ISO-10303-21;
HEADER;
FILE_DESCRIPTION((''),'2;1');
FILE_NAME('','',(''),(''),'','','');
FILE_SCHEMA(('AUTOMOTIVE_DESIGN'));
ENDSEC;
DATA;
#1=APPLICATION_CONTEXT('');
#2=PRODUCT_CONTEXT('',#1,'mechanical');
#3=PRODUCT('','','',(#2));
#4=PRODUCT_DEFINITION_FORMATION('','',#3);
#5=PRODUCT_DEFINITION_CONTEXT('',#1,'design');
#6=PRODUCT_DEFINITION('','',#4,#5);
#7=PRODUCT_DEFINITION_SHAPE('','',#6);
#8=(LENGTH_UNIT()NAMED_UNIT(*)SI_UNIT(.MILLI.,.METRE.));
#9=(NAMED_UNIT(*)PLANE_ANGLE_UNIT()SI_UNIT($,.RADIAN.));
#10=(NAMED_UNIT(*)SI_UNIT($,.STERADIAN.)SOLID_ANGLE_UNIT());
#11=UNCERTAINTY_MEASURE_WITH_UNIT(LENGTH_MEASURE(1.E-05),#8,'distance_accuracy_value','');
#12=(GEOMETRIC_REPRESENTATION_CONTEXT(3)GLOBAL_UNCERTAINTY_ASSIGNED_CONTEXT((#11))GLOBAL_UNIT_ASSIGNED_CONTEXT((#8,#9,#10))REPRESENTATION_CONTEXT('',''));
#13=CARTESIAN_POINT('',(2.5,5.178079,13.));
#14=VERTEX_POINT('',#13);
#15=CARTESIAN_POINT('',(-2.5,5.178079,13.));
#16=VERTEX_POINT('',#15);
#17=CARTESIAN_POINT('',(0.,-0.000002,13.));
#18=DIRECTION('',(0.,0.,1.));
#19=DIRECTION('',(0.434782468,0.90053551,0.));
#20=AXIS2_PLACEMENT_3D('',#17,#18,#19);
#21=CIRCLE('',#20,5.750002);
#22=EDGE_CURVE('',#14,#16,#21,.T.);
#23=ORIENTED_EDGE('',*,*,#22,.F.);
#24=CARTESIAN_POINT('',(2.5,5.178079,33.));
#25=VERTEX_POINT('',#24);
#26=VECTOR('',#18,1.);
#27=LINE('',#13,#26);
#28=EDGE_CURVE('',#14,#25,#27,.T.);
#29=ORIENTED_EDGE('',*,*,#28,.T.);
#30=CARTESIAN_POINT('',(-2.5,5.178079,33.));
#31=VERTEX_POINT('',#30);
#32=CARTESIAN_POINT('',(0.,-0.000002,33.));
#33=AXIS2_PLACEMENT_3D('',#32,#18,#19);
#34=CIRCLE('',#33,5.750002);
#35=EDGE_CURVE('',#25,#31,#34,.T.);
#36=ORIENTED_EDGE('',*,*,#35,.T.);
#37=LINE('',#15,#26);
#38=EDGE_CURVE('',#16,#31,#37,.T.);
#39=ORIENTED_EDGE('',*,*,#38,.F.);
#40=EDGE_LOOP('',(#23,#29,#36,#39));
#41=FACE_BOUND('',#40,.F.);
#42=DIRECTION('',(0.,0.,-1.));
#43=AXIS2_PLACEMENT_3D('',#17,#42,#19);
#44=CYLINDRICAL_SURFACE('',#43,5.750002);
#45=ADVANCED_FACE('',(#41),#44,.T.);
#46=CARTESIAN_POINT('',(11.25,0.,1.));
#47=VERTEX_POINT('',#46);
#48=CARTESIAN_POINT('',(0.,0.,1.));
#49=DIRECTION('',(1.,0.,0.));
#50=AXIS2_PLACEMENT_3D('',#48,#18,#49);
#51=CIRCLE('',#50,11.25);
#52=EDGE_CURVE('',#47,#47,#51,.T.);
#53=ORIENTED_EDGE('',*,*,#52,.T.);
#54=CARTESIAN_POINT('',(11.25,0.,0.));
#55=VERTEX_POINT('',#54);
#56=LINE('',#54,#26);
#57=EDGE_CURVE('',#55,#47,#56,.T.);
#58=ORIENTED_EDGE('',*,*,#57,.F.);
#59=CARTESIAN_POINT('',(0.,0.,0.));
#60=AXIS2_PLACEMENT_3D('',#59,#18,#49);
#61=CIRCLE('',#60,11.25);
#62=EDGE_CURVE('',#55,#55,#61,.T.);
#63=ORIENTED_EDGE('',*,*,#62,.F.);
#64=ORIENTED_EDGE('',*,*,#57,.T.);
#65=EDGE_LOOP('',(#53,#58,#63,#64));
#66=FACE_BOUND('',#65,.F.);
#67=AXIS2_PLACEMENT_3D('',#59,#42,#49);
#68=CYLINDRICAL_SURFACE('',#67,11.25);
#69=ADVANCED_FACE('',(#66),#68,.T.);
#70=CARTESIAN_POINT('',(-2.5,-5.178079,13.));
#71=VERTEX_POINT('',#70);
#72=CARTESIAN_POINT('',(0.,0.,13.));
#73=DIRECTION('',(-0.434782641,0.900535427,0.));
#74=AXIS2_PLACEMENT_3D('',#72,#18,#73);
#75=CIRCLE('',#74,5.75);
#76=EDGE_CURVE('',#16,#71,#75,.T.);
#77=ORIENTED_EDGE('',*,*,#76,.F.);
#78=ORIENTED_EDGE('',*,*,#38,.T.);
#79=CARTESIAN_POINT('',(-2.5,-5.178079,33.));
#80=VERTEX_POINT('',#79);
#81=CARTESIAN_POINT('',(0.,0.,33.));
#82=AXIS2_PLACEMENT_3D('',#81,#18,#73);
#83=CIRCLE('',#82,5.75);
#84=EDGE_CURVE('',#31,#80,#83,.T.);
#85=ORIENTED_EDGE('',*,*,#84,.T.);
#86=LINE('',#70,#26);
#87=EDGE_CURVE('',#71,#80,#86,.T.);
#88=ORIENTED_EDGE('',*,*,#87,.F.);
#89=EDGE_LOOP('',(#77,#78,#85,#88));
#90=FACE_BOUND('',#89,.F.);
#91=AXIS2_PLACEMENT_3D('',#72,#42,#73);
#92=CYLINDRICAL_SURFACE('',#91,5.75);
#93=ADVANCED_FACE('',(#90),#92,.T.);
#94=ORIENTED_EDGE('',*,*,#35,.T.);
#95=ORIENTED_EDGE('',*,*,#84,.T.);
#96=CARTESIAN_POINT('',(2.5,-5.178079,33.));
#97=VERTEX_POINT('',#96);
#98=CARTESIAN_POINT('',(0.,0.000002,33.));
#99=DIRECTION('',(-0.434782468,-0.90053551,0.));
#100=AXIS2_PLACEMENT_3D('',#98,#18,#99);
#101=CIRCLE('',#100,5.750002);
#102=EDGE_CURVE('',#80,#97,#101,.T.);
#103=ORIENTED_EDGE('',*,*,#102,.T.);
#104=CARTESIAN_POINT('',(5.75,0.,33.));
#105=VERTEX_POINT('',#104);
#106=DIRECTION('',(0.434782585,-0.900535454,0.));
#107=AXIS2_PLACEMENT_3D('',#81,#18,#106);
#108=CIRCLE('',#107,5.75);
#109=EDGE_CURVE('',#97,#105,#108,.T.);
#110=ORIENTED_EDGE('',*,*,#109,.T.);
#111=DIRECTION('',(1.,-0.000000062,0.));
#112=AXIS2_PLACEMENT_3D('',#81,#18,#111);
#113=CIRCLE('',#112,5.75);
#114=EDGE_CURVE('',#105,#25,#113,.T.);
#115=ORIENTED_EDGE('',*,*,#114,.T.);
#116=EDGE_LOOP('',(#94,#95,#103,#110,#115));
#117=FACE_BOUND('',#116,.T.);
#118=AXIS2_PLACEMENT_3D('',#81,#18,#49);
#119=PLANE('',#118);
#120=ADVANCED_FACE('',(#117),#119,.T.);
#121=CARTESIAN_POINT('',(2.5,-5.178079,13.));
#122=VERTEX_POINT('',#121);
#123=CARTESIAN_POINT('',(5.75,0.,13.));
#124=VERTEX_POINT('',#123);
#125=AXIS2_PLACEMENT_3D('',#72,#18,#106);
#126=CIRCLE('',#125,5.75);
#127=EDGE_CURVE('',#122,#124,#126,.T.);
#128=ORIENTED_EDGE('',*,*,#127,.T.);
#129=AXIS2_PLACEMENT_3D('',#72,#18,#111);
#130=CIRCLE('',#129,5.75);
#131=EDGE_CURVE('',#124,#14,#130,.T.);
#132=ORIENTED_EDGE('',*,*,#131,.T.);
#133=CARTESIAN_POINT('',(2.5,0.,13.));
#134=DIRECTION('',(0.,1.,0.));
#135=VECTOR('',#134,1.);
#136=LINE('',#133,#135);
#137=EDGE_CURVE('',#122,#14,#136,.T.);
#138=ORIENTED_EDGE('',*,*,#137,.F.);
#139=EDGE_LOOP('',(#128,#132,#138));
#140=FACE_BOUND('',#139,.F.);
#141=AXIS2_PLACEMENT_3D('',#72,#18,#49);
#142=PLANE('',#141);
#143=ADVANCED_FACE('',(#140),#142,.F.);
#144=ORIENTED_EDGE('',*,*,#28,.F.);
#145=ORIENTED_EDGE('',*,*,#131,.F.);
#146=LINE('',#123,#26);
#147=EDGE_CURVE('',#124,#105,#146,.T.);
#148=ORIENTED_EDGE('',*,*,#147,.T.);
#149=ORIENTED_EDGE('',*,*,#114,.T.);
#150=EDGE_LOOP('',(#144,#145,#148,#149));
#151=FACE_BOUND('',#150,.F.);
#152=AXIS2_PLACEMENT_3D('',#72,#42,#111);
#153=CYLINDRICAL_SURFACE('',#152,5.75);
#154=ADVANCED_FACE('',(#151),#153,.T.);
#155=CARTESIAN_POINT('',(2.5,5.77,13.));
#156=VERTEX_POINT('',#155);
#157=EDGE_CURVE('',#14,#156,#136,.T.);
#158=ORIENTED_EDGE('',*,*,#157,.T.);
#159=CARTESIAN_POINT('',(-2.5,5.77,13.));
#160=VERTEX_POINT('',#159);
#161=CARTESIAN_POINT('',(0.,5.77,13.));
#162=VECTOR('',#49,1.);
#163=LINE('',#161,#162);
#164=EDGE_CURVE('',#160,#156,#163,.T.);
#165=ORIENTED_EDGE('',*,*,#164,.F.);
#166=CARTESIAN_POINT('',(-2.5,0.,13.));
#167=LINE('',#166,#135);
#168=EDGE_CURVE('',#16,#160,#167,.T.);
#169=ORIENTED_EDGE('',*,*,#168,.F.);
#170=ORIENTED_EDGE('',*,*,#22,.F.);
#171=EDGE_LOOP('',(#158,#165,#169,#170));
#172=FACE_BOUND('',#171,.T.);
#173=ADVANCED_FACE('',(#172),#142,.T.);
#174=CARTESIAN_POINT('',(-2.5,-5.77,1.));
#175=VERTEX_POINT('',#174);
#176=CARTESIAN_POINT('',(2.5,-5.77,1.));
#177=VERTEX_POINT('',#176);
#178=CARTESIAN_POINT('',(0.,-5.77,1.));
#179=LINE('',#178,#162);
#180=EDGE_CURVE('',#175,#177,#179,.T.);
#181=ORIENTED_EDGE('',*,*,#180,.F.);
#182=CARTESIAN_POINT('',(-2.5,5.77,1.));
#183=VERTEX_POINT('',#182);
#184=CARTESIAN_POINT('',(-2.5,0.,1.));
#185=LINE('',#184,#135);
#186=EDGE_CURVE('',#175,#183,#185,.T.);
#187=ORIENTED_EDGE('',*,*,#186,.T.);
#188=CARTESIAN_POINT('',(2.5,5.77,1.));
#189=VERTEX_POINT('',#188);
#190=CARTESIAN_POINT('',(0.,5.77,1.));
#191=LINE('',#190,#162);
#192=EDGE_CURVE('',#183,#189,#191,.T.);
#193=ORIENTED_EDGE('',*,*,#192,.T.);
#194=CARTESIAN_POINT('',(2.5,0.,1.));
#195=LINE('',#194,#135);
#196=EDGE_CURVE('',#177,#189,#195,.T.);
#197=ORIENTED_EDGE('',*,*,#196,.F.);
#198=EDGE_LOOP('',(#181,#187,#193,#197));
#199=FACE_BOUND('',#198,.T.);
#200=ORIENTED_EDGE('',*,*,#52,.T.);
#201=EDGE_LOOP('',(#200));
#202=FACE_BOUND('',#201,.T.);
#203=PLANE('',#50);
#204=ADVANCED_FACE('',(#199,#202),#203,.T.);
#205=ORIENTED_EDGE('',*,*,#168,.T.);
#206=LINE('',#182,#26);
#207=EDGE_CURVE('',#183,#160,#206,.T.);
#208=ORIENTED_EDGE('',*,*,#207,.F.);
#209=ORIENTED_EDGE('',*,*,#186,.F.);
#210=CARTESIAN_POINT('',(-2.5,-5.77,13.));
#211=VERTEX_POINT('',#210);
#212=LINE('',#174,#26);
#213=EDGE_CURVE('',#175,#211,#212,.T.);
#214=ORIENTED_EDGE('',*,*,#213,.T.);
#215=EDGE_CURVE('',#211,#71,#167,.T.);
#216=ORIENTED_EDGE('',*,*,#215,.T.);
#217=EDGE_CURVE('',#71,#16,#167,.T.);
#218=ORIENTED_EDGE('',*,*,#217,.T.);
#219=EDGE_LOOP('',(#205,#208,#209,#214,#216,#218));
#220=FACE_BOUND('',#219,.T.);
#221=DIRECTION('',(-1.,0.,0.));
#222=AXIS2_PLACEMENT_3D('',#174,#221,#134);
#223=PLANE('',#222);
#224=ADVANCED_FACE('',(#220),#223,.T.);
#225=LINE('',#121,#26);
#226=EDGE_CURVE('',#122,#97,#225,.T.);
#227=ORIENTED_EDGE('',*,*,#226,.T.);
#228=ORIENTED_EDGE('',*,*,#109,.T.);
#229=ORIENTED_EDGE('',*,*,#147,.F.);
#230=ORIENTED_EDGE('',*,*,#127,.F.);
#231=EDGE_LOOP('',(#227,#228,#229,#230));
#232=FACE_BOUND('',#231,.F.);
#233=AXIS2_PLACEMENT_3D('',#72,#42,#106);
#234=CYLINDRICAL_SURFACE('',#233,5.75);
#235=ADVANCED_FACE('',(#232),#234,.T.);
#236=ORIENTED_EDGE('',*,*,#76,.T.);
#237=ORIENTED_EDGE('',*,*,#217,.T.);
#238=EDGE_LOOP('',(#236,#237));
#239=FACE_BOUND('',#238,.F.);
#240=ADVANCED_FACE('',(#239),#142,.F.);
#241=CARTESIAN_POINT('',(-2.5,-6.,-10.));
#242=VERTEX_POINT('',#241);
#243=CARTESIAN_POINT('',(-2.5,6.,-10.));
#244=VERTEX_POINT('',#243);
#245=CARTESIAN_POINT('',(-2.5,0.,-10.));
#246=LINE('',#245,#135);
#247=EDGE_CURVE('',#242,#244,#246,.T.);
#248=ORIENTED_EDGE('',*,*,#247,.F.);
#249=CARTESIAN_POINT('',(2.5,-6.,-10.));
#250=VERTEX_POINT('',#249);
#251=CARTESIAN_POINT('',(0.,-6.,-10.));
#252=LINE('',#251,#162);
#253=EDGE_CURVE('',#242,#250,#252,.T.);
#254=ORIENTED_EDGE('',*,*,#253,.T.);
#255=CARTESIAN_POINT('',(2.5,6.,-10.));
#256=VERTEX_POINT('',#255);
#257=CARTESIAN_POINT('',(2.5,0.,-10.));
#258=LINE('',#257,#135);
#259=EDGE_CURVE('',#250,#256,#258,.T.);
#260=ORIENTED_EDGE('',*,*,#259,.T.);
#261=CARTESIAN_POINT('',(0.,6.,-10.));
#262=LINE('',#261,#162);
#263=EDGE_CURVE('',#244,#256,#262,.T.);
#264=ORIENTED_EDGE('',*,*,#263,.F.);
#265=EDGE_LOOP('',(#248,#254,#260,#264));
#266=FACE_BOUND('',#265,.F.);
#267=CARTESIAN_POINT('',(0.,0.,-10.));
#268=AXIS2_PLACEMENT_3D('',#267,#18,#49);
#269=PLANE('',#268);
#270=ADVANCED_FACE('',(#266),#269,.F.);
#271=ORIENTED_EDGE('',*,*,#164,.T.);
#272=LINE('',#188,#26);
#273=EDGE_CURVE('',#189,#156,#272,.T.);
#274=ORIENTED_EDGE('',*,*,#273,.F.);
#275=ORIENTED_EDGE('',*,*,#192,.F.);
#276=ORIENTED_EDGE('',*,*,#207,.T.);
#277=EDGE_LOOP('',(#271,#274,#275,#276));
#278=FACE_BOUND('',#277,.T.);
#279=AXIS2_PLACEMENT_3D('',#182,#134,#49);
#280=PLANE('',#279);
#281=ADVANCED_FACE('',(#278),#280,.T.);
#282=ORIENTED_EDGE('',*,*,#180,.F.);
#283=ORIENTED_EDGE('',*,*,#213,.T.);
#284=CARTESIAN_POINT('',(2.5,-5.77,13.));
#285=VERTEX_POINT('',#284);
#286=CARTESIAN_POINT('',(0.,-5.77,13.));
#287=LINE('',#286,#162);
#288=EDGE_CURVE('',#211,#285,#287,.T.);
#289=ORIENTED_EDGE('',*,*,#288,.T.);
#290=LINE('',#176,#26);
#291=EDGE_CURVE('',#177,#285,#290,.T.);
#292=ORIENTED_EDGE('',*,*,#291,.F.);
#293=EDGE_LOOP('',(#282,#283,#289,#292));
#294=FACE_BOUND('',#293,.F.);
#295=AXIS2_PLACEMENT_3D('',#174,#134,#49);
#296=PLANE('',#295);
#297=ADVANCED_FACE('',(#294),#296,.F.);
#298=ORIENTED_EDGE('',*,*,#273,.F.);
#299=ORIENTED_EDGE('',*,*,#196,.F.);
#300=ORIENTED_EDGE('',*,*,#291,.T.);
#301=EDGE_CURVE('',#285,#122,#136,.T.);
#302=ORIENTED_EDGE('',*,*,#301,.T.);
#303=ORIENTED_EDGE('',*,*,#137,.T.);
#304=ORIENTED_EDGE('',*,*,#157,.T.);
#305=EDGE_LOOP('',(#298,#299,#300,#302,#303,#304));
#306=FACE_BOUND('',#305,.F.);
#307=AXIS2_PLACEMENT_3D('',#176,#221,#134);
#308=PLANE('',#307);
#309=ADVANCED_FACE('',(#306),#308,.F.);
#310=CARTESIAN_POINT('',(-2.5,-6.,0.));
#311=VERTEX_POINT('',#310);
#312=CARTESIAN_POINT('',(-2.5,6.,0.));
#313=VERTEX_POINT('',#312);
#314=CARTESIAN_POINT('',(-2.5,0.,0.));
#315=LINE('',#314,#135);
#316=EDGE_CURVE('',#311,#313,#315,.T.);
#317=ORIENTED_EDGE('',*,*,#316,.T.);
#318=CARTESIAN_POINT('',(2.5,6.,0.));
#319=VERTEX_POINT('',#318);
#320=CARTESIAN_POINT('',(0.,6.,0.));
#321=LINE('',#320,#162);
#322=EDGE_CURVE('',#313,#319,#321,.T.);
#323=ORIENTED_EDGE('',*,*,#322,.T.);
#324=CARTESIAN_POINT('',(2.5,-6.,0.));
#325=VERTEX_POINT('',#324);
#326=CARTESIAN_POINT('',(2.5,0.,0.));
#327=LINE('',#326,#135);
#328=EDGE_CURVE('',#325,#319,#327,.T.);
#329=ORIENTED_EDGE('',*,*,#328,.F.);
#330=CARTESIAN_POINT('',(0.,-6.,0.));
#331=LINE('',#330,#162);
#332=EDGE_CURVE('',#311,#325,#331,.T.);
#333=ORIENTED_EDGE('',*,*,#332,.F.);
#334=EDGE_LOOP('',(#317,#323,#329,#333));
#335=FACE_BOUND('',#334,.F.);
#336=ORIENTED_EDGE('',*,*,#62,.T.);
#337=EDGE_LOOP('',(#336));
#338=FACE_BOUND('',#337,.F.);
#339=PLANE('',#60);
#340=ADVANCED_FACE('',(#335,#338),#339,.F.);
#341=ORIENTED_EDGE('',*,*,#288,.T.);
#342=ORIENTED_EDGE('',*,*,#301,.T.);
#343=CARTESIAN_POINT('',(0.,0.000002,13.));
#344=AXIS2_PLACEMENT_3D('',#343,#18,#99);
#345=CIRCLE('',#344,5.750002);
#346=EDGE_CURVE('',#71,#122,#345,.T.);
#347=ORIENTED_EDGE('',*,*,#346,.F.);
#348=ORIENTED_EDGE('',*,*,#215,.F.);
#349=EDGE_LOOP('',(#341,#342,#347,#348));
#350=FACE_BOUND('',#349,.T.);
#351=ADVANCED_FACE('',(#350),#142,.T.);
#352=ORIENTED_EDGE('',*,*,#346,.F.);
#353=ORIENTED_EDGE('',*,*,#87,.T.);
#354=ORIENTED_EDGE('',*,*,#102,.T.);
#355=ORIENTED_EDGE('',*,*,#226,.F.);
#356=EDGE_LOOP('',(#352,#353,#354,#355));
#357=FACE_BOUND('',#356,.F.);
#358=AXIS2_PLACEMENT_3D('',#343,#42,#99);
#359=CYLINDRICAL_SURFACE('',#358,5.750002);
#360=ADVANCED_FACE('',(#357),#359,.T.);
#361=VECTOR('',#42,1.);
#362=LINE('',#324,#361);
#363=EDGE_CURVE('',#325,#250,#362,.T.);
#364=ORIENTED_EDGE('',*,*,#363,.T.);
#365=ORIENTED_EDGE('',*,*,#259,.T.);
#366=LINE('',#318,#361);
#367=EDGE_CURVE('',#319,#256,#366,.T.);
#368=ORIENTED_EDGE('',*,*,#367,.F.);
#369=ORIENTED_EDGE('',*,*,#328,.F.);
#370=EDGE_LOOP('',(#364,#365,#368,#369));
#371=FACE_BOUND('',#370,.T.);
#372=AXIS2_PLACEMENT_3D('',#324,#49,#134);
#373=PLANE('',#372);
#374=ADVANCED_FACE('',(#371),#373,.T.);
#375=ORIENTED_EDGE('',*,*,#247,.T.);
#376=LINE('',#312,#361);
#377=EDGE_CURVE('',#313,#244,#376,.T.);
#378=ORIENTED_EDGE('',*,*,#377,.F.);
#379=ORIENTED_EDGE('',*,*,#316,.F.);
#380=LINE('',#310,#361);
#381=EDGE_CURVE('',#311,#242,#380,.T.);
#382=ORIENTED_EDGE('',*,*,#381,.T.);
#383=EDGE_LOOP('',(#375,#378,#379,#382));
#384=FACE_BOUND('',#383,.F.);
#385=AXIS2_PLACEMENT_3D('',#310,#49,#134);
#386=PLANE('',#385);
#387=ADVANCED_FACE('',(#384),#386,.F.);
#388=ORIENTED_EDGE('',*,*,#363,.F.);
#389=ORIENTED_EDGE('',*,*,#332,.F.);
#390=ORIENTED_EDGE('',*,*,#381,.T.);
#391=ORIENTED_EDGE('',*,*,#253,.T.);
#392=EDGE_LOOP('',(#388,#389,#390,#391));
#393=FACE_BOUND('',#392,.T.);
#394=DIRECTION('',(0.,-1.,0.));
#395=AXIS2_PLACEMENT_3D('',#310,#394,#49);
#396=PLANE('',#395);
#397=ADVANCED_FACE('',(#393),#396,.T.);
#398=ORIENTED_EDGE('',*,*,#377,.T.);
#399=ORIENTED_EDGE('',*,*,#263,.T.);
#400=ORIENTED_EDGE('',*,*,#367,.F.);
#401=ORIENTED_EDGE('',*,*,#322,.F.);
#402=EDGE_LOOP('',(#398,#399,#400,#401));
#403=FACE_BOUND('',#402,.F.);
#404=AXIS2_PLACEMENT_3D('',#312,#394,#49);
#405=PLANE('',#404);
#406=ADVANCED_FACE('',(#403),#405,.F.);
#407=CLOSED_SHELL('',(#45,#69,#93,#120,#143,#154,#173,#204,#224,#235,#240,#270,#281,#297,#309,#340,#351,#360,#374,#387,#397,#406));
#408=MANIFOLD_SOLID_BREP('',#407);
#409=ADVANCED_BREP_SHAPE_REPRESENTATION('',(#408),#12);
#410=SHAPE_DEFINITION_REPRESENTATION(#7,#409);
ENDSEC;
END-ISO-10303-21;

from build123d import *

# Parameters (mm, degrees)
F0_R     = 11.25
F1_DEPTH = 1
F2_W     = 5
F2_H     = 11.54
F3_DEPTH = 12
F4_W     = 5
F4_H     = 12
F5_DEPTH = 10
F7_DEPTH = 20


with BuildPart() as f1:
    # F0 (on Top) → F1 (new body)
    with BuildSketch(Plane.XY):
        Circle(F0_R)
    extrude(amount=F1_DEPTH)

    # F2 (on face) → F3 (join)
    with BuildSketch(Plane.XY.offset(1)):
        Rectangle(F2_W, F2_H)
    extrude(amount=F3_DEPTH)

    # F4 (on Top) → F5 (join)
    with BuildSketch(Plane.XY):
        Rectangle(F4_W, F4_H)
    extrude(amount=-F5_DEPTH)

    # F6 (on face) → F7 (join)
    with BuildSketch(Plane.XY.offset(13)):
        with BuildLine():
            Line((2.5, -5.178079), (2.5, 5.178079))
            ThreePointArc((2.5, 5.178079), (0, 5.75), (-2.5, 5.178079))
            Line((-2.5, 5.178079), (-2.5, -5.178079))
            ThreePointArc((-2.5, -5.178079), (0, -5.75), (2.5, -5.178079))
        make_face()
        with BuildLine():
            Line((-2.5, -5.178079), (-2.5, 5.178079))
            ThreePointArc((-2.5, 5.178079), (-5.75, 0), (-2.5, -5.178079))
        make_face()
        with BuildLine():
            ThreePointArc((2.5, -5.178079), (4.87019, -3.056755), (5.75, 0))
            ThreePointArc((5.75, 0), (4.87019, 3.056755), (2.5, 5.178079))
            Line((2.5, 5.178079), (2.5, -5.178079))
        make_face()
    extrude(amount=F7_DEPTH)


solid = f1.part
